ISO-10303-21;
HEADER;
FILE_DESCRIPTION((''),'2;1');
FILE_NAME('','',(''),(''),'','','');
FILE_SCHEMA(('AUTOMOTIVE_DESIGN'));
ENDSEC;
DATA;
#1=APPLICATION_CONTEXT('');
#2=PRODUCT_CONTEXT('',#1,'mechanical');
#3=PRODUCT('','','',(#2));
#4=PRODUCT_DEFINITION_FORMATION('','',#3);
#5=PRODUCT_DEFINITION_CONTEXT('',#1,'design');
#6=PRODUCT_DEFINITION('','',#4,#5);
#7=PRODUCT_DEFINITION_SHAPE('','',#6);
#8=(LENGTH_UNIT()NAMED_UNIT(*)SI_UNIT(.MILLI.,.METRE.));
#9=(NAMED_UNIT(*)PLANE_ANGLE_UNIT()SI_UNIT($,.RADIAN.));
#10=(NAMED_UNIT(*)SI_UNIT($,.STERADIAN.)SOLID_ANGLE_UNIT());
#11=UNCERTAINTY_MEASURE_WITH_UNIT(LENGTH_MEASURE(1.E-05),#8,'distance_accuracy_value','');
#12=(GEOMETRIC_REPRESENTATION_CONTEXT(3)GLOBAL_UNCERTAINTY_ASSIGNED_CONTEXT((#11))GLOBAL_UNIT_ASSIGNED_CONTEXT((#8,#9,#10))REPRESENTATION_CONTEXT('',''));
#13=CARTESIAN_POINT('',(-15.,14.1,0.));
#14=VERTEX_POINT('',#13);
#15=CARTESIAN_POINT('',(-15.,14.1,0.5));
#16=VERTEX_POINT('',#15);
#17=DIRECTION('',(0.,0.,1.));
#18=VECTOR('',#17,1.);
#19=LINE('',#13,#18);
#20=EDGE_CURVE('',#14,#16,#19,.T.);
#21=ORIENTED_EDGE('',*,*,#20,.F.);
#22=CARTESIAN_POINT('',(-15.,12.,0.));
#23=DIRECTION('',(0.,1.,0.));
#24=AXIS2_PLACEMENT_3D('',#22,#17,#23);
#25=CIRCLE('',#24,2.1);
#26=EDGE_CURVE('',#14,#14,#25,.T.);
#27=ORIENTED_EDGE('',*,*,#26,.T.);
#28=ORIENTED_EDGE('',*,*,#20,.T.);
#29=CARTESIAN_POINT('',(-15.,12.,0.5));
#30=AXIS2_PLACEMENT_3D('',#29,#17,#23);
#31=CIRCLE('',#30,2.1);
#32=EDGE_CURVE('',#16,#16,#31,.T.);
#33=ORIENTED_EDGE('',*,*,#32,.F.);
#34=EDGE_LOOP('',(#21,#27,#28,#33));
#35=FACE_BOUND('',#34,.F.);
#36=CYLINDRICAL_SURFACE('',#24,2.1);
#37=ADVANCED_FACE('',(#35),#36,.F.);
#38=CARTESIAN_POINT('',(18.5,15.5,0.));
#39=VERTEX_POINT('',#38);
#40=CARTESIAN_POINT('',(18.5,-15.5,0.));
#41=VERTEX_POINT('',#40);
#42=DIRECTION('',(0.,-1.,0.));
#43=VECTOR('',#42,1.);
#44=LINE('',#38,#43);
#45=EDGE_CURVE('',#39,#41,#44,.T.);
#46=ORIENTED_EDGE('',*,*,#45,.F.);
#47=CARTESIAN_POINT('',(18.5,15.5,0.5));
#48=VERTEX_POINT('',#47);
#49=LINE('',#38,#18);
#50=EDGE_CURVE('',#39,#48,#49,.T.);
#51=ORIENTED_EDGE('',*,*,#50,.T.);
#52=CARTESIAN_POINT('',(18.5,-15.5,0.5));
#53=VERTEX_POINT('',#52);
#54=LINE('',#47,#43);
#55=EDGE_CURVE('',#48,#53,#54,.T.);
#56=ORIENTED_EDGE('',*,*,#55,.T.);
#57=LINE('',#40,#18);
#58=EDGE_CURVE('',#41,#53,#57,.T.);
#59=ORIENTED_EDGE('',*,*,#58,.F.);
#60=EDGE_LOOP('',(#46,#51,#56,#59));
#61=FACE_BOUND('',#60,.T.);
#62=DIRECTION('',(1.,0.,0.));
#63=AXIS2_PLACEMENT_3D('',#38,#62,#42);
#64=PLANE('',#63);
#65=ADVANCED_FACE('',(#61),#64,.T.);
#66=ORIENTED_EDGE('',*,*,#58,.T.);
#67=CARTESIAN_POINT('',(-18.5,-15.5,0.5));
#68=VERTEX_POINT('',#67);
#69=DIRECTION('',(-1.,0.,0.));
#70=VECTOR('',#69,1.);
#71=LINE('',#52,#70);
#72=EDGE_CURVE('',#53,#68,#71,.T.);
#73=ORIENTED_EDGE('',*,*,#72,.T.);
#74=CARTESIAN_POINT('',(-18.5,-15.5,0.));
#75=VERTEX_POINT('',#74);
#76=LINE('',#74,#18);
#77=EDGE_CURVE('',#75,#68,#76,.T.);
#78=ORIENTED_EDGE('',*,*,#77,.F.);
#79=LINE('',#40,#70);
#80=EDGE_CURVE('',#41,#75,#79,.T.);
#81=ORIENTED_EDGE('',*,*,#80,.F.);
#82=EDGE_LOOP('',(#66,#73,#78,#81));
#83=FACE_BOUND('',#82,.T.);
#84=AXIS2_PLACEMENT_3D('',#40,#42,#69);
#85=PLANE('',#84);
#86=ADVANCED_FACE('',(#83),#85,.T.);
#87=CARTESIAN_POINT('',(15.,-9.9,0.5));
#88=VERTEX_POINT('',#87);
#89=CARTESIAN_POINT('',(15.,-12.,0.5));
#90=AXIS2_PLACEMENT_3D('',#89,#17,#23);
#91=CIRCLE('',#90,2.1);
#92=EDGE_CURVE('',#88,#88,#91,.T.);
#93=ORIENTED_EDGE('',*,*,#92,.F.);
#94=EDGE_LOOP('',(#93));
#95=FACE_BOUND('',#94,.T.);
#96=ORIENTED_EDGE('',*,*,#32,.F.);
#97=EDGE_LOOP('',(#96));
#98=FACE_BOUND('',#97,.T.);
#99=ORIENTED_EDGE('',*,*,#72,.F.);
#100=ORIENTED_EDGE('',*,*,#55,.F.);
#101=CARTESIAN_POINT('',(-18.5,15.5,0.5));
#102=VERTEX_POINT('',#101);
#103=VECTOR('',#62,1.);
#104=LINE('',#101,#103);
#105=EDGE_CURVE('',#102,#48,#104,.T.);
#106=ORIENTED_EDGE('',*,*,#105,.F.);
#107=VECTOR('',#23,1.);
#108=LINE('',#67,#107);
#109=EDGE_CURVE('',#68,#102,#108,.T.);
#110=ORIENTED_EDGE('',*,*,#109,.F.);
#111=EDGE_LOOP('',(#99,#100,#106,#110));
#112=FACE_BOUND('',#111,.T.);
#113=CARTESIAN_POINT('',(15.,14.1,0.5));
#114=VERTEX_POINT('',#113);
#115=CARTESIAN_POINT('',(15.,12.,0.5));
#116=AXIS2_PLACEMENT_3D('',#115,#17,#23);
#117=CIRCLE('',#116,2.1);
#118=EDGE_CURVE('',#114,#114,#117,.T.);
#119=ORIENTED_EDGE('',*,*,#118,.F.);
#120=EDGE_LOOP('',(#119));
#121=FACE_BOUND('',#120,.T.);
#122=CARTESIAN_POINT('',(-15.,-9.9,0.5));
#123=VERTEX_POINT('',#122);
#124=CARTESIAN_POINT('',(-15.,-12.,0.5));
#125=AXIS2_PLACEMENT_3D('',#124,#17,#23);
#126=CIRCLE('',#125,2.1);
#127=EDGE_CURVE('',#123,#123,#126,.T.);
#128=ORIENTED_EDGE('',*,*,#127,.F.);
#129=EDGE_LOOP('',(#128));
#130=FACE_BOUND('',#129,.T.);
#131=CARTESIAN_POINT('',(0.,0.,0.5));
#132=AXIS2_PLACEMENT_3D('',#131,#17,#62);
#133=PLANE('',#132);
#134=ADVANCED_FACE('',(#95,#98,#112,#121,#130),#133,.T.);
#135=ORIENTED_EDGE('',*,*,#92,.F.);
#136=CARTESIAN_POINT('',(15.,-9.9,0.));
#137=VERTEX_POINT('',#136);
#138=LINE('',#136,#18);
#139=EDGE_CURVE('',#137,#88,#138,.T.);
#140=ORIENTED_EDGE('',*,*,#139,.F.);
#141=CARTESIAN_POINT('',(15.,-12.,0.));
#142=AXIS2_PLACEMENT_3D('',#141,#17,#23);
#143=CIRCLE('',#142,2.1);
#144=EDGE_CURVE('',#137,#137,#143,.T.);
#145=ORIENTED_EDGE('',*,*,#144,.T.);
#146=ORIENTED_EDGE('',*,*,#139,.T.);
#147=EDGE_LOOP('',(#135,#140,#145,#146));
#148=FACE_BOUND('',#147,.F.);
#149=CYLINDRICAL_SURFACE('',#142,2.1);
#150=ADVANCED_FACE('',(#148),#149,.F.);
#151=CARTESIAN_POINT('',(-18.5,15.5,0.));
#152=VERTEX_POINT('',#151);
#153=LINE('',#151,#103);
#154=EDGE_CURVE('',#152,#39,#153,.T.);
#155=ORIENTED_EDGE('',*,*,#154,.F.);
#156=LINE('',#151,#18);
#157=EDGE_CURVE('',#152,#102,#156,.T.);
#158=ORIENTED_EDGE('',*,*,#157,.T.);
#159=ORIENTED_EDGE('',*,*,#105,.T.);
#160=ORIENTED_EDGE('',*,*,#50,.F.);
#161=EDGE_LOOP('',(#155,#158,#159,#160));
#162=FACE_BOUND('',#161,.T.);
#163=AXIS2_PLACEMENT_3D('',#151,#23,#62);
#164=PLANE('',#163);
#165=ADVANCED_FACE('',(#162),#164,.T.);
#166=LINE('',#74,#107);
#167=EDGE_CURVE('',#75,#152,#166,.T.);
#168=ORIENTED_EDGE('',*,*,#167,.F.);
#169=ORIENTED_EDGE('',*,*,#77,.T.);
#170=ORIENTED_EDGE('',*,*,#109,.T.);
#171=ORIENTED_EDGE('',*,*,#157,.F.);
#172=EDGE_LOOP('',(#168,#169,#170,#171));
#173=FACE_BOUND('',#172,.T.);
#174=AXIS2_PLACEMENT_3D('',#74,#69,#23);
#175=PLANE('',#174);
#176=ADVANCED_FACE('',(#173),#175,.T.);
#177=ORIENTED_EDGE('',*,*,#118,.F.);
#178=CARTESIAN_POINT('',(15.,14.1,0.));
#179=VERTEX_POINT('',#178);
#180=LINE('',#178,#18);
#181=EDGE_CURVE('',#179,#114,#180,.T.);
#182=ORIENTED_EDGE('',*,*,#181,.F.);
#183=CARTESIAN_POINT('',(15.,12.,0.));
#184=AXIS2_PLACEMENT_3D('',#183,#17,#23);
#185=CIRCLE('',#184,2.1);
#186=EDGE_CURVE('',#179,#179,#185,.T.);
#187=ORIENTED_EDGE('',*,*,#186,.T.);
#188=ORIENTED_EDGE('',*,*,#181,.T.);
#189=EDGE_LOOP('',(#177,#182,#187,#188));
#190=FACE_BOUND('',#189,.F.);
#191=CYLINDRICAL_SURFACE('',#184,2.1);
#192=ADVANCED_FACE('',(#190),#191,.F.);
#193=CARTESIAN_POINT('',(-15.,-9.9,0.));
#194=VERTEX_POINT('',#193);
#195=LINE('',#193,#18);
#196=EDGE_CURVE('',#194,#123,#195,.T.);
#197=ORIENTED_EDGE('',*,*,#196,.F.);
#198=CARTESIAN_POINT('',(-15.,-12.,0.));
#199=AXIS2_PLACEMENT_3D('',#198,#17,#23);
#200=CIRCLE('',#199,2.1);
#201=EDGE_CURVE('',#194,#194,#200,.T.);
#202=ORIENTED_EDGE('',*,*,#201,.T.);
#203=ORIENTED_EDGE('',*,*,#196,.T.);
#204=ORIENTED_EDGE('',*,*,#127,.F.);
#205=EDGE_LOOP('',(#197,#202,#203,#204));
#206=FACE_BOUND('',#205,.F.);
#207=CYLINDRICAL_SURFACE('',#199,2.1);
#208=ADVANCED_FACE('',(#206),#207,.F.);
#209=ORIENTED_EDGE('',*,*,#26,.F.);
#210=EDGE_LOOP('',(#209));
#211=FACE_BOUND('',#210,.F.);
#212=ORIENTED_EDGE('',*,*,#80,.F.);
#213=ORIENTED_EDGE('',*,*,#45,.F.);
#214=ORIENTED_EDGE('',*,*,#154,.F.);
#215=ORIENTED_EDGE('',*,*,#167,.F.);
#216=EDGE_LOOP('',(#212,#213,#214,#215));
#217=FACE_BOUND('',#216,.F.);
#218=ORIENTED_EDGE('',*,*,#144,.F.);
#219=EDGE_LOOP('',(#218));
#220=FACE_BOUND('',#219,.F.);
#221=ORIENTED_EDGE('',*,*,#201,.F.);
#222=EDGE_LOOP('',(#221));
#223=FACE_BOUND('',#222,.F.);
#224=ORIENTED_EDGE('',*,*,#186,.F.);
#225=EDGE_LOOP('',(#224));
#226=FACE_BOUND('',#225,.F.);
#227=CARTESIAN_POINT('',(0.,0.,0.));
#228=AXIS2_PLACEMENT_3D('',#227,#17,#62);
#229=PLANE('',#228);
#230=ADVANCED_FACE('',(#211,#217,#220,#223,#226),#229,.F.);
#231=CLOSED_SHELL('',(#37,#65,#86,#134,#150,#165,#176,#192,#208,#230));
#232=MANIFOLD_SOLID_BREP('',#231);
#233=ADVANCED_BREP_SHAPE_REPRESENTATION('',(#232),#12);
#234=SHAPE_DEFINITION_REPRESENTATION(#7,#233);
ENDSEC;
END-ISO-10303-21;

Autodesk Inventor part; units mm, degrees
ref_plane "YZ Plane" through (0, 0, 0) normal (1, 0, 0) x (0, 1, 0)
ref_plane "XZ Plane" through (0, 0, 0) normal (0, 1, 0) x (-1, 0, 0)
ref_plane "XY Plane" through (0, 0, 0) normal (0, 0, 1) x (1, 0, 0)
sketch "草图1" plane through (0, 0, 0) normal (0, 0, 1) x (1, 0, 0)
  line L0 (18.5, -15.5) -> (-18.5, -15.5)
  line L1 (-18.5, -15.5) -> (-18.5, 15.5)
  line L2 (-18.5, 15.5) -> (18.5, 15.5)
  line L3 (18.5, 15.5) -> (18.5, -15.5)
  line L4 (18.5, -15.5) -> (-18.5, 15.5) construction
  line L5 (-18.5, -15.5) -> (18.5, 15.5) construction
  line L6 (0, 0) -> (-24.9379, 0) construction
  line L7 (0, 0) -> (0, 16.8364) construction
  point P0 (-15, 12)
  point P1 (-15, -12)
  point P2 (15, 12)
  point P3 (15, -12)
  dimension "d0" = 31
  dimension "d1" = 37
  dimension "d2" = 12
  dimension "d3" = 15
extrude "拉伸1" add sketch "草图1" along normal blind 0.5
hole "孔1" at (-15, 12, 0) at (-15, -12, 0) at (15, 12, 0) at (15, -12, 0) direction (0, 0, 1) diameter 4.2 end through all
properties part number "自制垫片"
